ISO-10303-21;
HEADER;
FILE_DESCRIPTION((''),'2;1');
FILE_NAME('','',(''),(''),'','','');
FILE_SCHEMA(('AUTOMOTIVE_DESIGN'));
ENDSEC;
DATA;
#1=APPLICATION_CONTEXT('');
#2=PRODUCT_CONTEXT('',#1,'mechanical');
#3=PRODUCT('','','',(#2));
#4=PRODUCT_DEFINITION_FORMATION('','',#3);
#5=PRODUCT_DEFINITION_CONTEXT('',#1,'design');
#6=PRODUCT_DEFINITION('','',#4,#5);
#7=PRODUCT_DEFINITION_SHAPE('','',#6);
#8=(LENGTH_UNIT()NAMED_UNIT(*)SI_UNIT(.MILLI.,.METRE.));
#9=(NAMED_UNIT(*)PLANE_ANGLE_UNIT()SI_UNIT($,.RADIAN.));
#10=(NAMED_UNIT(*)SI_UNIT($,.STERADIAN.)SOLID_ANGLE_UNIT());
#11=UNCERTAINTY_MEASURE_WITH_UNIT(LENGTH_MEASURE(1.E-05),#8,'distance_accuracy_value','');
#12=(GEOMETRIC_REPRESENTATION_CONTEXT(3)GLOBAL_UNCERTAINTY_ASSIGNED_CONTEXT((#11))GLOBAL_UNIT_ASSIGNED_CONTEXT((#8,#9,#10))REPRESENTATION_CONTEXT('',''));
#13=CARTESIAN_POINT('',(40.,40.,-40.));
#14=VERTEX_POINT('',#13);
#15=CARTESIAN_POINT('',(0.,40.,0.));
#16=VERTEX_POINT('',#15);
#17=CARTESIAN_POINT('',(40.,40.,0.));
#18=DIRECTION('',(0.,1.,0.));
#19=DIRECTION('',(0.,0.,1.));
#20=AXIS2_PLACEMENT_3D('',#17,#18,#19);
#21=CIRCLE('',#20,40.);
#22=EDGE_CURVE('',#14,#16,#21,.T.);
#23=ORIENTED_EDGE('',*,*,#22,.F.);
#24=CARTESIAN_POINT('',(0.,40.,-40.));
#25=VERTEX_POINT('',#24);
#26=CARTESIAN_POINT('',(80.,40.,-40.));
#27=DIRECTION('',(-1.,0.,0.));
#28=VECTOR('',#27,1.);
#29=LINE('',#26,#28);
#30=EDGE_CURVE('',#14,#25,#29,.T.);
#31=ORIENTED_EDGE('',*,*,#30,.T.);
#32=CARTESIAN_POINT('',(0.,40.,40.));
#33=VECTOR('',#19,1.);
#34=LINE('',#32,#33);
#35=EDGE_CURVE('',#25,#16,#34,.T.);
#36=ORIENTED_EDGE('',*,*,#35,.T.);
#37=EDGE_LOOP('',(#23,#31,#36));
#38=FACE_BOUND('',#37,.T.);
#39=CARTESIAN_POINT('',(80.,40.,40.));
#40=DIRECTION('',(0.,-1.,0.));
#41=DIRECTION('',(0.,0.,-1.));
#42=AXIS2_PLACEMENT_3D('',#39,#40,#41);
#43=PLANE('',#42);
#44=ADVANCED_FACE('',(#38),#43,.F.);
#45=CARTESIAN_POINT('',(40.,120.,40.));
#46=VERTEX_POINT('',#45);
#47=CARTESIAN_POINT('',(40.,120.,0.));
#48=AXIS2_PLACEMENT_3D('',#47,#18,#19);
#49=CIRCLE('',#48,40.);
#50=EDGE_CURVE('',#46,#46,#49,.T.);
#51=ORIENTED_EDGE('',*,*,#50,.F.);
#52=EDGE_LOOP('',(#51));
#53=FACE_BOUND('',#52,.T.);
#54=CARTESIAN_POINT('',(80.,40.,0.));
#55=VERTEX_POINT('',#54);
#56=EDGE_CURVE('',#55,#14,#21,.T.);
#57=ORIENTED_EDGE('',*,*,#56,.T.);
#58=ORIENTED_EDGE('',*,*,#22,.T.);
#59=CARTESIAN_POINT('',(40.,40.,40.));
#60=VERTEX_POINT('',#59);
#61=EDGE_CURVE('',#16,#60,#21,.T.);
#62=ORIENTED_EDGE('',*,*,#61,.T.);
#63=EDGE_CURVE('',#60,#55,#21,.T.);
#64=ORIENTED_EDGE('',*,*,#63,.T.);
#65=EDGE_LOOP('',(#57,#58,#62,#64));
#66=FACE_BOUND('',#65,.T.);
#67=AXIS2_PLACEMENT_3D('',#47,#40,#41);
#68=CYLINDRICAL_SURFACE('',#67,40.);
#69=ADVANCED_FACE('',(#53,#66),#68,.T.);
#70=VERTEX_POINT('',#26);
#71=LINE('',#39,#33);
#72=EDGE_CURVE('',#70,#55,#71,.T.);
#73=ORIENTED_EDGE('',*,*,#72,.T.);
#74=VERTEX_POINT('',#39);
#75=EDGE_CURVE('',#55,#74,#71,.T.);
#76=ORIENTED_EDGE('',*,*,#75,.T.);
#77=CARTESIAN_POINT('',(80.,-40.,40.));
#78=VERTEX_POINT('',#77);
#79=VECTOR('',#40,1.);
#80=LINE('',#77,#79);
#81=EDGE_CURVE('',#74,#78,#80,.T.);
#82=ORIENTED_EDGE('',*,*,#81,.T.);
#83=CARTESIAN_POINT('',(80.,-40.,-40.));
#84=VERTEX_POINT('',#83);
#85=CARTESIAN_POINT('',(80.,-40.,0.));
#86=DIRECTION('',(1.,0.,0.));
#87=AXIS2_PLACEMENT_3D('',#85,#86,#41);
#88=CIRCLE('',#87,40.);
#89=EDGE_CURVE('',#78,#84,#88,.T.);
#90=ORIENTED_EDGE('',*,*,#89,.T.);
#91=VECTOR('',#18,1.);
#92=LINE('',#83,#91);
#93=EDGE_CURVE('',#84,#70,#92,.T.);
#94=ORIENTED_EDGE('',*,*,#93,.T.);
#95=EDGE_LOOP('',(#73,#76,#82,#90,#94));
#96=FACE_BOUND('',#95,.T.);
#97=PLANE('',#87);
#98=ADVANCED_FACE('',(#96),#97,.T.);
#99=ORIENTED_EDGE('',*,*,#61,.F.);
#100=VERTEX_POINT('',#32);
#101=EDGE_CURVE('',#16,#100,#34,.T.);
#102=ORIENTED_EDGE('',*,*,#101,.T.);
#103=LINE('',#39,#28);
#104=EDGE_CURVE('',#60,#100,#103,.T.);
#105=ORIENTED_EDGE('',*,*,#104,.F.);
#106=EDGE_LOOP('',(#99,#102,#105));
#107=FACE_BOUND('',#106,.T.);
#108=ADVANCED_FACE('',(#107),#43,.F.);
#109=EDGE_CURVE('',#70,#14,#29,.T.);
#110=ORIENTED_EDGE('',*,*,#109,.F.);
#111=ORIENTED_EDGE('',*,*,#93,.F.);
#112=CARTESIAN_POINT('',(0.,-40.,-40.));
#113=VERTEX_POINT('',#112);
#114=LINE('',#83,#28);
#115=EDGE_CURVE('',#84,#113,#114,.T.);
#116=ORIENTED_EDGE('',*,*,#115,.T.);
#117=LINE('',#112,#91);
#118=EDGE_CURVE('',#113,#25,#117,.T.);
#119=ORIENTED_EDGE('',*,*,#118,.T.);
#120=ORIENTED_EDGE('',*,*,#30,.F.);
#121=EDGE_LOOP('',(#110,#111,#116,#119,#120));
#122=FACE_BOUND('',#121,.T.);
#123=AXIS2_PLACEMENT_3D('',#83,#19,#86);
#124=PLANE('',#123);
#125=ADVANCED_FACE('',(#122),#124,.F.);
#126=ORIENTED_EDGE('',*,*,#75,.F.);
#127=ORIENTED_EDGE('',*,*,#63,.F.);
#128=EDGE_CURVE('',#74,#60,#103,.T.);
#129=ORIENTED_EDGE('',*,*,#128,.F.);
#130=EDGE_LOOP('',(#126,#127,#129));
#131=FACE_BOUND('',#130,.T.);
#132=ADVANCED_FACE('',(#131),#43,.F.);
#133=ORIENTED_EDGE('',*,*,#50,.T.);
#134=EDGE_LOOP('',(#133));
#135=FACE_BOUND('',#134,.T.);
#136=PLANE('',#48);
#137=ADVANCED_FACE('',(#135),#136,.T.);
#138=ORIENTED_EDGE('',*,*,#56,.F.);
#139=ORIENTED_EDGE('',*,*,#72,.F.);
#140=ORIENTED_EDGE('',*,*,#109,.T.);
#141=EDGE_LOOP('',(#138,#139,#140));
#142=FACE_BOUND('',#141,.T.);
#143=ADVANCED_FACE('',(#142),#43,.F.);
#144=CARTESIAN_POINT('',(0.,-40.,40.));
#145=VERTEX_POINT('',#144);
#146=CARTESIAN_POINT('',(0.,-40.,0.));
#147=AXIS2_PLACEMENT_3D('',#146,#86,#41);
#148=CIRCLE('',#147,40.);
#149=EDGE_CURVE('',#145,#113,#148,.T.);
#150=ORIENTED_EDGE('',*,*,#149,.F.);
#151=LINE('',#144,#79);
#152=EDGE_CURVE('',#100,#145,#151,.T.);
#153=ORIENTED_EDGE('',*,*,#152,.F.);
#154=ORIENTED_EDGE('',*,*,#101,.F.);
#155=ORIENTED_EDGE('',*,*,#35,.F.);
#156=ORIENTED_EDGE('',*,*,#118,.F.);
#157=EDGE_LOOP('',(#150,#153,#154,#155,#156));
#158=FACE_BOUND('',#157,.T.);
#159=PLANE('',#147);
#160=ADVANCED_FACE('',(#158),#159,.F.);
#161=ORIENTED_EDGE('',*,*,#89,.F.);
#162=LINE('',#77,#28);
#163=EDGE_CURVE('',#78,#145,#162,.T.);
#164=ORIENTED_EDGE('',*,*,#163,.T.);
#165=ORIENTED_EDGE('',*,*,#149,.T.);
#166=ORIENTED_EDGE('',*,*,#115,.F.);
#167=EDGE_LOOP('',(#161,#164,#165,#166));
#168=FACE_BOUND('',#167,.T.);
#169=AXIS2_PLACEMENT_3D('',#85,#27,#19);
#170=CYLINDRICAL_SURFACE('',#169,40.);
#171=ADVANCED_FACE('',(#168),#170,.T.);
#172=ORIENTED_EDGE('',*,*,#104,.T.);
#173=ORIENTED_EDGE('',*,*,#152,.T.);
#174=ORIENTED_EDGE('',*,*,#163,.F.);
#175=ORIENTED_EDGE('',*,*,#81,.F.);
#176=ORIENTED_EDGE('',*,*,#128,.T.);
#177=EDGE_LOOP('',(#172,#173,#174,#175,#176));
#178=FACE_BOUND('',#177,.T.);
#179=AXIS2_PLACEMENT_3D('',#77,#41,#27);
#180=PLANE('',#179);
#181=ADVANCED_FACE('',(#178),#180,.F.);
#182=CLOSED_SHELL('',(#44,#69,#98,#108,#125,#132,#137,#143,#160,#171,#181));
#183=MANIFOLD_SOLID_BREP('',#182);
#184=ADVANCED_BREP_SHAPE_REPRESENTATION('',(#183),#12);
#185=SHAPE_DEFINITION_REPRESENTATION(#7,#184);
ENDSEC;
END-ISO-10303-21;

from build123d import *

# Parameters (mm, degrees)
BOSS_EXTRUDE1_DEPTH = 80
SKETCH2_R           = 40
BOSS_EXTRUDE2_DEPTH = 80


with BuildPart() as part:
    # Sketch1 → Boss-Extrude1 (new body)
    with BuildSketch(Plane(origin=(0, 0, 0), x_dir=(0, 0, -1), z_dir=(1, 0, 0))):
        with BuildLine():
            Line((-40, -40), (-40, 40))
            Line((-40, 40), (40, 40))
            Line((40, 40), (40, -40))
            ThreePointArc((40, -40), (0, -80), (-40, -40))
        make_face()
    extrude(amount=BOSS_EXTRUDE1_DEPTH)

    # Sketch2 → Boss-Extrude2 (add)
    with BuildSketch(Plane(origin=(0, 40, 0), x_dir=(1, 0, 0), z_dir=(0, 1, 0))):
        with Locations(Location((40, 0, 0), (0, 0, 270))):
            Circle(SKETCH2_R)
    extrude(amount=BOSS_EXTRUDE2_DEPTH)


solid = part.part
